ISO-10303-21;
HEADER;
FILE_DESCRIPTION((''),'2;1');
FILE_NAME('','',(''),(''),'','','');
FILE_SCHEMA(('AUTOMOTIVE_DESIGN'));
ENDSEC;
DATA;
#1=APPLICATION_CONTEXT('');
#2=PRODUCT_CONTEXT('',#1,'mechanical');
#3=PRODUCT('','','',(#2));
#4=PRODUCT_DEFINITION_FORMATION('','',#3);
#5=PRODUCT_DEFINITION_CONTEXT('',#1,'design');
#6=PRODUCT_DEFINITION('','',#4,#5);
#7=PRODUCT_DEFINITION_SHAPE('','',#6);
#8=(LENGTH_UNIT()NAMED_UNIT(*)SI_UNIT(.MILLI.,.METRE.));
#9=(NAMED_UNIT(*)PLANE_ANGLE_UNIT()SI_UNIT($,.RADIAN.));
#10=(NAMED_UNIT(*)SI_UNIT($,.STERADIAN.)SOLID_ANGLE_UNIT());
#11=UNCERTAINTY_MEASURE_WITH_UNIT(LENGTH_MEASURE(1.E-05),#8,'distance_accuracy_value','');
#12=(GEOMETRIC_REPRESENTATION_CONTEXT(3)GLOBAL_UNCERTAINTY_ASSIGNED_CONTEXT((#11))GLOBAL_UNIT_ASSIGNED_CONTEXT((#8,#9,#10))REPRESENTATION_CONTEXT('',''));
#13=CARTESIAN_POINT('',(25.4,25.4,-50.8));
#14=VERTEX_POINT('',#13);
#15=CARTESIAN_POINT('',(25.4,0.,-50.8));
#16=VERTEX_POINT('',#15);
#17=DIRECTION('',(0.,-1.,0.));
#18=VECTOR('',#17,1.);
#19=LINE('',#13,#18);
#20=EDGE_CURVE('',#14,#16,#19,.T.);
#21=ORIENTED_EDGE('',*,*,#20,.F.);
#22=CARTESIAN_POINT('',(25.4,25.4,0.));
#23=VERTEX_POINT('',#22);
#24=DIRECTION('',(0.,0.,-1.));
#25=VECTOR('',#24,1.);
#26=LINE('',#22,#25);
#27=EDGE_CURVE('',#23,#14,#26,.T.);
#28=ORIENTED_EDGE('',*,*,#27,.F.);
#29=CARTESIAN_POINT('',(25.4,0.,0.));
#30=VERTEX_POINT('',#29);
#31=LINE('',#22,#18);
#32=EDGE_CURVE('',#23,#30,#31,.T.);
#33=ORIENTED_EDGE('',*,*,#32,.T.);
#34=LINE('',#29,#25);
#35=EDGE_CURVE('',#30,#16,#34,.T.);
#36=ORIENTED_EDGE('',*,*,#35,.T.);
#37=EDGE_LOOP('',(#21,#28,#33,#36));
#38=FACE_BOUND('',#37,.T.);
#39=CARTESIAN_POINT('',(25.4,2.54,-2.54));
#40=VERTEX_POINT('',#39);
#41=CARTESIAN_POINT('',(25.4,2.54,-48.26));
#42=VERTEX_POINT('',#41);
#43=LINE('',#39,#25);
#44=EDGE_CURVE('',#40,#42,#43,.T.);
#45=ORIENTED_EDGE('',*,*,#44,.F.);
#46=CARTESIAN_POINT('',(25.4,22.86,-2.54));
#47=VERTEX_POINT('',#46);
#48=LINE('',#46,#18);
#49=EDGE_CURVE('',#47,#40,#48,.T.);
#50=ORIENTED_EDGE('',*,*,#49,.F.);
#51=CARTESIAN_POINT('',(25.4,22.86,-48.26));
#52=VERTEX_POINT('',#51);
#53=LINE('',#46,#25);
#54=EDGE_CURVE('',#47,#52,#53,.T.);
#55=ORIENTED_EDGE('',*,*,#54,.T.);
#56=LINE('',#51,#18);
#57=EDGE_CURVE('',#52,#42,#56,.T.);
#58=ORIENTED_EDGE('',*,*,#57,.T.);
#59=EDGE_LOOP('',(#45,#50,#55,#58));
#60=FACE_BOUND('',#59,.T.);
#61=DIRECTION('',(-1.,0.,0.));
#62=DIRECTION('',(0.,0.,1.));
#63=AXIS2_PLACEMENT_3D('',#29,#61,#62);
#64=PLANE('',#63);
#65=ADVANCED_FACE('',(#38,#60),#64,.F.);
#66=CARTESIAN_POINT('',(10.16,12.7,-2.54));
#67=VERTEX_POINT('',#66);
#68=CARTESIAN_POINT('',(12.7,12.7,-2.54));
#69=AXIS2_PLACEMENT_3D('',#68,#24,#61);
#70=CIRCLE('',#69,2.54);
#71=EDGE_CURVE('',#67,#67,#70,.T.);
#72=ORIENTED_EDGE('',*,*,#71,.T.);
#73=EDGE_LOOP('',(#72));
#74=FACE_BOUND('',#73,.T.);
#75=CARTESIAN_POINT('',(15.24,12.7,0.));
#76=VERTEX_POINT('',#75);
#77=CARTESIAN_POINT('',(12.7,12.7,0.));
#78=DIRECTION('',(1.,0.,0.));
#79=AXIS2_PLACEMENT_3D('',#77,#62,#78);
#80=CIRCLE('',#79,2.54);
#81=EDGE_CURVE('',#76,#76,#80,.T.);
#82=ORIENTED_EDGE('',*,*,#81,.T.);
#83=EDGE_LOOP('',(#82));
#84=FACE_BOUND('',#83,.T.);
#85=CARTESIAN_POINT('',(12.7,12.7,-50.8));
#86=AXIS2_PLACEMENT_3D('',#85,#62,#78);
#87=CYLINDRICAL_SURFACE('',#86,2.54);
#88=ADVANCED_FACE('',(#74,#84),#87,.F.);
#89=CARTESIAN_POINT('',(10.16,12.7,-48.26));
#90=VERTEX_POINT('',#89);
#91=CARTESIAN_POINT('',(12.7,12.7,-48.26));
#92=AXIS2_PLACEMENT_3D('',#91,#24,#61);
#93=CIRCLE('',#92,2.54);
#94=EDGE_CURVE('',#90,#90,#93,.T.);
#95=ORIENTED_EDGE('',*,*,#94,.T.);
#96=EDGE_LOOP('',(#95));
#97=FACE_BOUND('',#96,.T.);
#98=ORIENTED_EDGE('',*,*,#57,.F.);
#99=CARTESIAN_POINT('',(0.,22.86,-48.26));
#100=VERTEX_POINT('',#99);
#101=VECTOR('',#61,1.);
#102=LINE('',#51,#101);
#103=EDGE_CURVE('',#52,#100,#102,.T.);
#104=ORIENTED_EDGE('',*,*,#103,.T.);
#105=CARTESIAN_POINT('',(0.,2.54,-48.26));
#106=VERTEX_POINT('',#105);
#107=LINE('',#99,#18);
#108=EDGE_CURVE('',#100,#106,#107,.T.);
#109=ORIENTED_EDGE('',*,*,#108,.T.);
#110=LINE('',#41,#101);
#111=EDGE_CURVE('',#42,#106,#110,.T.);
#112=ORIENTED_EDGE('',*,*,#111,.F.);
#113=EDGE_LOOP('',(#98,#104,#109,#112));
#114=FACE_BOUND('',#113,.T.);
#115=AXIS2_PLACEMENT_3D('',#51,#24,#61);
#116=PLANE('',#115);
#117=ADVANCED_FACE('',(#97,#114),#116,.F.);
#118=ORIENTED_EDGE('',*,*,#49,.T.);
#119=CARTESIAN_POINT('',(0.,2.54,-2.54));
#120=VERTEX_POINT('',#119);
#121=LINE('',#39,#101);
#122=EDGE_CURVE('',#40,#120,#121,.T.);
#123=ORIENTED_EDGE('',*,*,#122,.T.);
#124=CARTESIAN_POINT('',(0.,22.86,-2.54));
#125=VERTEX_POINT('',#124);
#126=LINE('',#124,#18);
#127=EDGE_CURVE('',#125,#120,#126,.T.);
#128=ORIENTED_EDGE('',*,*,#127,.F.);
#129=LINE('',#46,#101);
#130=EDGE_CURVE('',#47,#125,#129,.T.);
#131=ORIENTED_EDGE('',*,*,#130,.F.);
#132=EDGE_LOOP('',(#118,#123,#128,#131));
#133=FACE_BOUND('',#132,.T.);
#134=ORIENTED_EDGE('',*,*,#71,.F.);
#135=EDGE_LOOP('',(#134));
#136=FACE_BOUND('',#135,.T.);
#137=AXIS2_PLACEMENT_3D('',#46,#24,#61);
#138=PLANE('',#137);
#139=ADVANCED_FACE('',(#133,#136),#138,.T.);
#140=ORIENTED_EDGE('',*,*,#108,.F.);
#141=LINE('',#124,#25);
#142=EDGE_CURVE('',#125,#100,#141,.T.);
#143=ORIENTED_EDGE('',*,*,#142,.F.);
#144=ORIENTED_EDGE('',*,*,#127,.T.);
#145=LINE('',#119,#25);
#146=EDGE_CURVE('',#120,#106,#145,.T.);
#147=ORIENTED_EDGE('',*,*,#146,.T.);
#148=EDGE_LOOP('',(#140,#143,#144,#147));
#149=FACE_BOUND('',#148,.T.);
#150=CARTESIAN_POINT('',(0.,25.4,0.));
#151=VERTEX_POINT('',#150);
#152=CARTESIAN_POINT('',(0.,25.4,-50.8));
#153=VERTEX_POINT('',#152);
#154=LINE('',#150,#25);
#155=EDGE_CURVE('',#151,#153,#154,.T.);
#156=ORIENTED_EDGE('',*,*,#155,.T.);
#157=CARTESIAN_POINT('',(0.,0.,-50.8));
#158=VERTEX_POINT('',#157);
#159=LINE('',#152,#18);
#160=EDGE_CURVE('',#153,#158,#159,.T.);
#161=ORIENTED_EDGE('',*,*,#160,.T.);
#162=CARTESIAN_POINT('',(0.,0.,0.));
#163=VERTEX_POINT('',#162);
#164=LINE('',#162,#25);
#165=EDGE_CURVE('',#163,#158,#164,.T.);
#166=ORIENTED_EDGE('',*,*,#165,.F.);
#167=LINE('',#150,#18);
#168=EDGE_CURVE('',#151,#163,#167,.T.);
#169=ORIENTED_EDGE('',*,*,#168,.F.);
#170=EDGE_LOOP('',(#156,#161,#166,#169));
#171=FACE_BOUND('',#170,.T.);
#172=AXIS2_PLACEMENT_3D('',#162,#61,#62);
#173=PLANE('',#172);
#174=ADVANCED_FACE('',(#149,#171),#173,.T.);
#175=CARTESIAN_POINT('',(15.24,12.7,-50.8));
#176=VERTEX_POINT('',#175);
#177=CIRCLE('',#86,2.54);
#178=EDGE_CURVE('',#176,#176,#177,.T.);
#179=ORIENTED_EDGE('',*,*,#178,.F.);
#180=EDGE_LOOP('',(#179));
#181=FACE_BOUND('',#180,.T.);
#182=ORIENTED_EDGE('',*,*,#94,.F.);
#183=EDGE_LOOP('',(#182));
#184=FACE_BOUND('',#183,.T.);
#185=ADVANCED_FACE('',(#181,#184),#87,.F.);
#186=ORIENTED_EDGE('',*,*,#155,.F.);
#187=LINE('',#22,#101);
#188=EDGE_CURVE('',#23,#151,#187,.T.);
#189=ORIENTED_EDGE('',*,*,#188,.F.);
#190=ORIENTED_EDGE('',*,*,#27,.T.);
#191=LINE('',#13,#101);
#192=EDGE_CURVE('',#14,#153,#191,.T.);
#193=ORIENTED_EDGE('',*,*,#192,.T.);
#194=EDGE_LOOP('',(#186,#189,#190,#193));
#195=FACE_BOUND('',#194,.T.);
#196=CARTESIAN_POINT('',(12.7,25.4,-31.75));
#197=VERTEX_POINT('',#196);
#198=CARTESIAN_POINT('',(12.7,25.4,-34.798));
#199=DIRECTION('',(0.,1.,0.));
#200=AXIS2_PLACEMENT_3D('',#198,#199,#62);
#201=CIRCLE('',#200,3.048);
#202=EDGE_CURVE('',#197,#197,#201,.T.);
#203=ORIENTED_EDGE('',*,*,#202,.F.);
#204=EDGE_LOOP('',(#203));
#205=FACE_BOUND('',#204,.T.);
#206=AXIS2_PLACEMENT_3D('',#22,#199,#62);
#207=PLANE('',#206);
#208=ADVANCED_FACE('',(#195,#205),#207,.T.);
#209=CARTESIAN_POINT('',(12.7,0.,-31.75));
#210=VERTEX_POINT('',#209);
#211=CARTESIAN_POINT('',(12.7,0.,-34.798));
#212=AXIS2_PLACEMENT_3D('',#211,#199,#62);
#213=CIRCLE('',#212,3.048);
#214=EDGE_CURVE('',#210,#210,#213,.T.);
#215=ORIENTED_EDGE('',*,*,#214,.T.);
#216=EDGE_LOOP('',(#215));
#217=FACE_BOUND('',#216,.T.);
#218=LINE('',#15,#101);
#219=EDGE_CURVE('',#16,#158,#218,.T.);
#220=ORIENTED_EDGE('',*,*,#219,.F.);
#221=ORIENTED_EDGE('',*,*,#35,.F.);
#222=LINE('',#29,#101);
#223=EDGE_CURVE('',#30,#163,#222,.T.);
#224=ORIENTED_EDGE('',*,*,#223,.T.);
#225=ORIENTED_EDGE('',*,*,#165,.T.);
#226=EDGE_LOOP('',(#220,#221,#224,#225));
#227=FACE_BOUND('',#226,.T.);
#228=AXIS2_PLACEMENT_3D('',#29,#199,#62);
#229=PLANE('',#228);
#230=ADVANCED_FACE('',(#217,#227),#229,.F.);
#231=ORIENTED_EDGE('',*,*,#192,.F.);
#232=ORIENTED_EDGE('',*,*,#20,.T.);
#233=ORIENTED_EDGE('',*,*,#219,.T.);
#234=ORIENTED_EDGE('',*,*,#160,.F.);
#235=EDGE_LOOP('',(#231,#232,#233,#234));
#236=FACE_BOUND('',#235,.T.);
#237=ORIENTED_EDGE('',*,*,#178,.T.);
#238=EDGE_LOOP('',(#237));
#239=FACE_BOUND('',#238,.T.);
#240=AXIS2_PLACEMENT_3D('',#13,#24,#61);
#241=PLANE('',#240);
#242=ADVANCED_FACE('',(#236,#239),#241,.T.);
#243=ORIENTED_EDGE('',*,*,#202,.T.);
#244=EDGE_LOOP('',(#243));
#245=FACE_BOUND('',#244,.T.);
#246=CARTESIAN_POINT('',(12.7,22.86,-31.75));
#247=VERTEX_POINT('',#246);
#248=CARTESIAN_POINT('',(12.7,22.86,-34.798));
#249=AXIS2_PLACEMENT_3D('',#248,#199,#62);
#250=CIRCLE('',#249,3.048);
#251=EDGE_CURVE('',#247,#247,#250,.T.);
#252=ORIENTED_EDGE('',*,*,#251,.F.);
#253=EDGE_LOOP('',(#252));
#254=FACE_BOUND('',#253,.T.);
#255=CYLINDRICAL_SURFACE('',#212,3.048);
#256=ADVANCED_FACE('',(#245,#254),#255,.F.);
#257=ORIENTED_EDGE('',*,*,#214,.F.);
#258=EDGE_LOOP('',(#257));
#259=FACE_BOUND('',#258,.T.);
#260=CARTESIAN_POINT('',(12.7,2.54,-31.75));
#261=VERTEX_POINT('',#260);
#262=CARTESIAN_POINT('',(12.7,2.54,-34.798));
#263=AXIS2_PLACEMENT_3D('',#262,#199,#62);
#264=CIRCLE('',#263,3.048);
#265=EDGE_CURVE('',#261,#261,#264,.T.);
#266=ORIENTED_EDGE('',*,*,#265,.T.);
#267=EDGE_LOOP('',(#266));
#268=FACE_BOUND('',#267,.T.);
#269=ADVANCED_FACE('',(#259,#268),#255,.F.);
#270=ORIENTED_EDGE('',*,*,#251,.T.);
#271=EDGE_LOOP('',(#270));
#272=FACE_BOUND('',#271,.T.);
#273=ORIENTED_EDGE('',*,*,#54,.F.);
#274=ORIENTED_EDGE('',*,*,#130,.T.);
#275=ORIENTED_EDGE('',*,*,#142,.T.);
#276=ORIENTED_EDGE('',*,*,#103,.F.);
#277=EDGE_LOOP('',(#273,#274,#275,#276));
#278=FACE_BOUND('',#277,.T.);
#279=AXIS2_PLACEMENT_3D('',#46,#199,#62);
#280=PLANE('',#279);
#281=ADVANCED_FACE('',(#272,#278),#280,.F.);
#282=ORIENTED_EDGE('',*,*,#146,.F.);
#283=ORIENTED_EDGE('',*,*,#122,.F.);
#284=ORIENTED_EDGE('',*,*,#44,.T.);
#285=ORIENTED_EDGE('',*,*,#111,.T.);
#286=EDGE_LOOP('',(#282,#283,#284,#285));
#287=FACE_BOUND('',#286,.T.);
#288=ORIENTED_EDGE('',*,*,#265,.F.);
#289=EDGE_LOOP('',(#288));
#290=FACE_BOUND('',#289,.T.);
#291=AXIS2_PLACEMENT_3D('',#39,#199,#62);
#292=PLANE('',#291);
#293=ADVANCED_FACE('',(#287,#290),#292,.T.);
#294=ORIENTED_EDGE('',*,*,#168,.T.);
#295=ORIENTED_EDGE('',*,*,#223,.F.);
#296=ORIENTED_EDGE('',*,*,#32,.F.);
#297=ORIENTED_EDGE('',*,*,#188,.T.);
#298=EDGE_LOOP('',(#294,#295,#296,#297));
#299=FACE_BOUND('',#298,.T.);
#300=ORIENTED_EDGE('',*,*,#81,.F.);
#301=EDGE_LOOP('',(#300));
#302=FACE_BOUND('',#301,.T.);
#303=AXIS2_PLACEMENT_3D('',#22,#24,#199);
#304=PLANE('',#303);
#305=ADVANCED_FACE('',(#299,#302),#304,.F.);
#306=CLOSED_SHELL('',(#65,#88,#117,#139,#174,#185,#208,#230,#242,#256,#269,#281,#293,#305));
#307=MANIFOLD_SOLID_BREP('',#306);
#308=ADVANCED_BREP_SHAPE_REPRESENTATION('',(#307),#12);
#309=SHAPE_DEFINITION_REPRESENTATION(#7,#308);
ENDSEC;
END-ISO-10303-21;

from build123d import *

# Parameters (mm, degrees)
SKETCH1_W           = 50.8
SKETCH1_H           = 25.4
SKETCH1_W_2         = 45.72
SKETCH1_H_2         = 20.32
BOSS_EXTRUDE1_DEPTH = 25.4
SKETCH3_R           = 3.048
CUT_EXTRUDE1_DEPTH  = 63.217039467
SKETCH4_R           = 2.54
CUT_EXTRUDE2_DEPTH  = 63.217039467


with BuildPart() as part:
    # Sketch1 → Boss-Extrude1 (new body)
    with BuildSketch(Plane(origin=(0, 0, 0), x_dir=(0, 0, -1), z_dir=(1, 0, 0))):
        with Locations((25.4, 12.7)):
            Rectangle(SKETCH1_W, SKETCH1_H)
        with Locations((25.4, 12.7)):
            Rectangle(SKETCH1_W_2, SKETCH1_H_2, mode=Mode.SUBTRACT)
    extrude(amount=BOSS_EXTRUDE1_DEPTH)

    # Sketch3 → Cut-Extrude1 (cut, through all)
    with BuildSketch(Plane(origin=(0, 25.4, 0), x_dir=(1, 0, 0), z_dir=(0, 1, 0))):
        with Locations(Location((12.7, 34.798, 0), (0, 0, 270))):
            Circle(SKETCH3_R)
    extrude(amount=-CUT_EXTRUDE1_DEPTH, mode=Mode.SUBTRACT)

    # Sketch4 → Cut-Extrude2 (cut, through all)
    with BuildSketch(Plane.XY):
        with Locations((12.7, 12.7)):
            Circle(SKETCH4_R)
    extrude(amount=-CUT_EXTRUDE2_DEPTH, mode=Mode.SUBTRACT)


solid = part.part
